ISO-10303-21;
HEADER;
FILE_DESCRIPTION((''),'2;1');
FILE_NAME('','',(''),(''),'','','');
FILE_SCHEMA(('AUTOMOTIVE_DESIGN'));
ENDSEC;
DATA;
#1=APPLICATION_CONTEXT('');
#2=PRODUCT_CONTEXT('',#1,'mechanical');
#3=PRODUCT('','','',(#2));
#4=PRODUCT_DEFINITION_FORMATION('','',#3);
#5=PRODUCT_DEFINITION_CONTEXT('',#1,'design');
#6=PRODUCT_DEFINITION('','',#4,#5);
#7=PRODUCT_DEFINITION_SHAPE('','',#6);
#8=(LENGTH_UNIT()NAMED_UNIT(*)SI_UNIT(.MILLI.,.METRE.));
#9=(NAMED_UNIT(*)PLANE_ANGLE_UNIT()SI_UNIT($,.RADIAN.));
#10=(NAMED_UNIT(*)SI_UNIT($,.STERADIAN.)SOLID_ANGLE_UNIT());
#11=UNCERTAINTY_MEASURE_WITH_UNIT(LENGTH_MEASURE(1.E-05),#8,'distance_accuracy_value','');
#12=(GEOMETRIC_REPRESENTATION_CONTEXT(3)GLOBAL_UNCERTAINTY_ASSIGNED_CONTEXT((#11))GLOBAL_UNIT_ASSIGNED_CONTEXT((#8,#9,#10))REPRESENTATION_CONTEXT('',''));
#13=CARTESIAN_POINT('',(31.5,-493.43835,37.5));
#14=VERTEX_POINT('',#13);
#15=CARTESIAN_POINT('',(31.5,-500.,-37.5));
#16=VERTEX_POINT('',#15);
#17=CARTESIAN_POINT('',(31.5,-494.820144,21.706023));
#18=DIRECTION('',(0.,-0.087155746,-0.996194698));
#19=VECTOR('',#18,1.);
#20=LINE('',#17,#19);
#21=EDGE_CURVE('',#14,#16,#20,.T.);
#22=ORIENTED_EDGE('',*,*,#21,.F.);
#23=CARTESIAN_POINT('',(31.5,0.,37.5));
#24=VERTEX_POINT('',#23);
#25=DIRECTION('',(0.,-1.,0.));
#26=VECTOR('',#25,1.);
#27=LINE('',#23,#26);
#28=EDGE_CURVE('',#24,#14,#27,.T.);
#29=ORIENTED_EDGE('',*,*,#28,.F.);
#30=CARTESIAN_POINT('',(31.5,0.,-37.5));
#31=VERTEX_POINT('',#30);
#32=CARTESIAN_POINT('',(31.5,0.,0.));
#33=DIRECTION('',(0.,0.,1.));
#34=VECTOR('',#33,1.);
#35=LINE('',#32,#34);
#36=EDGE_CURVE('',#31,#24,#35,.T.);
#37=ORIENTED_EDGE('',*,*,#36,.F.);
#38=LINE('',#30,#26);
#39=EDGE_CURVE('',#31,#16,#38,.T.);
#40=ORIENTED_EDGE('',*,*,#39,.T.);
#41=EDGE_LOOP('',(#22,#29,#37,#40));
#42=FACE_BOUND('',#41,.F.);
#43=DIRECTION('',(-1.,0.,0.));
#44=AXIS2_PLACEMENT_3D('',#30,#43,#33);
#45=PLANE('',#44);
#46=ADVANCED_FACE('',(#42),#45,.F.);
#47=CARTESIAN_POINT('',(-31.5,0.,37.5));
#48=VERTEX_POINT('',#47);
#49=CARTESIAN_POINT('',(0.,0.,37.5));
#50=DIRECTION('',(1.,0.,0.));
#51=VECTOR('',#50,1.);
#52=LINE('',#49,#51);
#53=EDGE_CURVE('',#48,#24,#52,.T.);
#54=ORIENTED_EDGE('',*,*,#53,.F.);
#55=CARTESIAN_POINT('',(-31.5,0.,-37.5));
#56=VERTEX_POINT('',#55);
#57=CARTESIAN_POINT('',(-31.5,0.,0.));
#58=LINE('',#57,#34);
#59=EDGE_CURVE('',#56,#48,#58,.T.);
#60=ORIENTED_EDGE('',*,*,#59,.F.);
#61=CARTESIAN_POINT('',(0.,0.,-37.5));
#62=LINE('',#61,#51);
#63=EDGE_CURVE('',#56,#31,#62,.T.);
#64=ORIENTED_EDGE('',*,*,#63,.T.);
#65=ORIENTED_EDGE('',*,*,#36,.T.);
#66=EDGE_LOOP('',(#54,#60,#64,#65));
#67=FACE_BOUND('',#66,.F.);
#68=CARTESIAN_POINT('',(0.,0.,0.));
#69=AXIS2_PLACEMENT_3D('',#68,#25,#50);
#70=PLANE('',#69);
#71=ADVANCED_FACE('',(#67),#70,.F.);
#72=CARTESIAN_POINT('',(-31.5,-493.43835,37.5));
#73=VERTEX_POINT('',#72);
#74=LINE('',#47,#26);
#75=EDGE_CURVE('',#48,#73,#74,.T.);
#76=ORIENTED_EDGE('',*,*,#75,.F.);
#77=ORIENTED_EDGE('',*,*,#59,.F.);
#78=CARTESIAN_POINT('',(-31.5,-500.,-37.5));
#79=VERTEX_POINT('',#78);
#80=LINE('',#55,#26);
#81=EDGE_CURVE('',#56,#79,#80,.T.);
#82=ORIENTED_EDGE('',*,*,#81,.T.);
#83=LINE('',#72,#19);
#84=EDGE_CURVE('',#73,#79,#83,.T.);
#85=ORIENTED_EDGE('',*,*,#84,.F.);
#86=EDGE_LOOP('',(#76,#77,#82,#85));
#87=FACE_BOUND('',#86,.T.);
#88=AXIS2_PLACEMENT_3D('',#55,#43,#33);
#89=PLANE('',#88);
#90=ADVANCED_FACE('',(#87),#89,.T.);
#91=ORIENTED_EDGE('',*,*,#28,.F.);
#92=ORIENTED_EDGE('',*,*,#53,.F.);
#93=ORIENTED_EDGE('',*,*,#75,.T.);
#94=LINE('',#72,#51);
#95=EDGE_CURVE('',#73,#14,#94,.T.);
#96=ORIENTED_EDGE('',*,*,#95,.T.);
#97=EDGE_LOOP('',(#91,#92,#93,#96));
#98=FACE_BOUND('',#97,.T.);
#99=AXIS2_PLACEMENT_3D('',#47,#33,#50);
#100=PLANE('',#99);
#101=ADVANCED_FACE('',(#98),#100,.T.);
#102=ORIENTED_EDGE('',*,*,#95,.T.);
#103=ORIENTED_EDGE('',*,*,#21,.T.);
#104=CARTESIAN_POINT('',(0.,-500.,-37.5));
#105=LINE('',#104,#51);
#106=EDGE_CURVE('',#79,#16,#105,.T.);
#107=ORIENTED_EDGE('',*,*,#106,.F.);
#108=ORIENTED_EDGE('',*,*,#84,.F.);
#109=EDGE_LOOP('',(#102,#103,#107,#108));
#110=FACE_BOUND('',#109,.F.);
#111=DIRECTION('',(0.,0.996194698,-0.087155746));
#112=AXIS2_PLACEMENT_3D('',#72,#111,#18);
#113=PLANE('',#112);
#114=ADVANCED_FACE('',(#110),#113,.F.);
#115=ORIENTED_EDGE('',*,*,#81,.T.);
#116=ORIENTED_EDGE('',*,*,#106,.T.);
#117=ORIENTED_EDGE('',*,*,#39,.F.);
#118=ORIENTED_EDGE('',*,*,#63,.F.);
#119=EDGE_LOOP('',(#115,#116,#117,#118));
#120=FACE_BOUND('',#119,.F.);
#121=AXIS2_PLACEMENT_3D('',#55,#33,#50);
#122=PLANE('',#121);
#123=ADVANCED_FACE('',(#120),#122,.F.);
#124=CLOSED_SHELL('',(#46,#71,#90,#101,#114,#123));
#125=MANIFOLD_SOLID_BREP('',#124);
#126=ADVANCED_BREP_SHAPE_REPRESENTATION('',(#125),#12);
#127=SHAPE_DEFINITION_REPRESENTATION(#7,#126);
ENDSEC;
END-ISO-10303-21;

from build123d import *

# Parameters (mm, degrees)
F0_W     = 63
F0_H     = 75
F1_DEPTH = 500
F3_DEPTH = 63.001


with BuildPart() as f1:
    # F0 (on Front) → F1 (new body)
    with BuildSketch(Plane.XZ):
        Rectangle(F0_W, F0_H)
    extrude(amount=F1_DEPTH)

    # F2 (on face) → F3 (cut, through all)
    with BuildSketch(Plane(origin=(-31.5, 0, 0), x_dir=(0, -1, 0), z_dir=(-1, 0, 0))):
        Polygon((493.43835, 37.5), (500, -37.5), (500, 37.5), align=None)
    extrude(amount=-F3_DEPTH, mode=Mode.SUBTRACT)


solid = f1.part
